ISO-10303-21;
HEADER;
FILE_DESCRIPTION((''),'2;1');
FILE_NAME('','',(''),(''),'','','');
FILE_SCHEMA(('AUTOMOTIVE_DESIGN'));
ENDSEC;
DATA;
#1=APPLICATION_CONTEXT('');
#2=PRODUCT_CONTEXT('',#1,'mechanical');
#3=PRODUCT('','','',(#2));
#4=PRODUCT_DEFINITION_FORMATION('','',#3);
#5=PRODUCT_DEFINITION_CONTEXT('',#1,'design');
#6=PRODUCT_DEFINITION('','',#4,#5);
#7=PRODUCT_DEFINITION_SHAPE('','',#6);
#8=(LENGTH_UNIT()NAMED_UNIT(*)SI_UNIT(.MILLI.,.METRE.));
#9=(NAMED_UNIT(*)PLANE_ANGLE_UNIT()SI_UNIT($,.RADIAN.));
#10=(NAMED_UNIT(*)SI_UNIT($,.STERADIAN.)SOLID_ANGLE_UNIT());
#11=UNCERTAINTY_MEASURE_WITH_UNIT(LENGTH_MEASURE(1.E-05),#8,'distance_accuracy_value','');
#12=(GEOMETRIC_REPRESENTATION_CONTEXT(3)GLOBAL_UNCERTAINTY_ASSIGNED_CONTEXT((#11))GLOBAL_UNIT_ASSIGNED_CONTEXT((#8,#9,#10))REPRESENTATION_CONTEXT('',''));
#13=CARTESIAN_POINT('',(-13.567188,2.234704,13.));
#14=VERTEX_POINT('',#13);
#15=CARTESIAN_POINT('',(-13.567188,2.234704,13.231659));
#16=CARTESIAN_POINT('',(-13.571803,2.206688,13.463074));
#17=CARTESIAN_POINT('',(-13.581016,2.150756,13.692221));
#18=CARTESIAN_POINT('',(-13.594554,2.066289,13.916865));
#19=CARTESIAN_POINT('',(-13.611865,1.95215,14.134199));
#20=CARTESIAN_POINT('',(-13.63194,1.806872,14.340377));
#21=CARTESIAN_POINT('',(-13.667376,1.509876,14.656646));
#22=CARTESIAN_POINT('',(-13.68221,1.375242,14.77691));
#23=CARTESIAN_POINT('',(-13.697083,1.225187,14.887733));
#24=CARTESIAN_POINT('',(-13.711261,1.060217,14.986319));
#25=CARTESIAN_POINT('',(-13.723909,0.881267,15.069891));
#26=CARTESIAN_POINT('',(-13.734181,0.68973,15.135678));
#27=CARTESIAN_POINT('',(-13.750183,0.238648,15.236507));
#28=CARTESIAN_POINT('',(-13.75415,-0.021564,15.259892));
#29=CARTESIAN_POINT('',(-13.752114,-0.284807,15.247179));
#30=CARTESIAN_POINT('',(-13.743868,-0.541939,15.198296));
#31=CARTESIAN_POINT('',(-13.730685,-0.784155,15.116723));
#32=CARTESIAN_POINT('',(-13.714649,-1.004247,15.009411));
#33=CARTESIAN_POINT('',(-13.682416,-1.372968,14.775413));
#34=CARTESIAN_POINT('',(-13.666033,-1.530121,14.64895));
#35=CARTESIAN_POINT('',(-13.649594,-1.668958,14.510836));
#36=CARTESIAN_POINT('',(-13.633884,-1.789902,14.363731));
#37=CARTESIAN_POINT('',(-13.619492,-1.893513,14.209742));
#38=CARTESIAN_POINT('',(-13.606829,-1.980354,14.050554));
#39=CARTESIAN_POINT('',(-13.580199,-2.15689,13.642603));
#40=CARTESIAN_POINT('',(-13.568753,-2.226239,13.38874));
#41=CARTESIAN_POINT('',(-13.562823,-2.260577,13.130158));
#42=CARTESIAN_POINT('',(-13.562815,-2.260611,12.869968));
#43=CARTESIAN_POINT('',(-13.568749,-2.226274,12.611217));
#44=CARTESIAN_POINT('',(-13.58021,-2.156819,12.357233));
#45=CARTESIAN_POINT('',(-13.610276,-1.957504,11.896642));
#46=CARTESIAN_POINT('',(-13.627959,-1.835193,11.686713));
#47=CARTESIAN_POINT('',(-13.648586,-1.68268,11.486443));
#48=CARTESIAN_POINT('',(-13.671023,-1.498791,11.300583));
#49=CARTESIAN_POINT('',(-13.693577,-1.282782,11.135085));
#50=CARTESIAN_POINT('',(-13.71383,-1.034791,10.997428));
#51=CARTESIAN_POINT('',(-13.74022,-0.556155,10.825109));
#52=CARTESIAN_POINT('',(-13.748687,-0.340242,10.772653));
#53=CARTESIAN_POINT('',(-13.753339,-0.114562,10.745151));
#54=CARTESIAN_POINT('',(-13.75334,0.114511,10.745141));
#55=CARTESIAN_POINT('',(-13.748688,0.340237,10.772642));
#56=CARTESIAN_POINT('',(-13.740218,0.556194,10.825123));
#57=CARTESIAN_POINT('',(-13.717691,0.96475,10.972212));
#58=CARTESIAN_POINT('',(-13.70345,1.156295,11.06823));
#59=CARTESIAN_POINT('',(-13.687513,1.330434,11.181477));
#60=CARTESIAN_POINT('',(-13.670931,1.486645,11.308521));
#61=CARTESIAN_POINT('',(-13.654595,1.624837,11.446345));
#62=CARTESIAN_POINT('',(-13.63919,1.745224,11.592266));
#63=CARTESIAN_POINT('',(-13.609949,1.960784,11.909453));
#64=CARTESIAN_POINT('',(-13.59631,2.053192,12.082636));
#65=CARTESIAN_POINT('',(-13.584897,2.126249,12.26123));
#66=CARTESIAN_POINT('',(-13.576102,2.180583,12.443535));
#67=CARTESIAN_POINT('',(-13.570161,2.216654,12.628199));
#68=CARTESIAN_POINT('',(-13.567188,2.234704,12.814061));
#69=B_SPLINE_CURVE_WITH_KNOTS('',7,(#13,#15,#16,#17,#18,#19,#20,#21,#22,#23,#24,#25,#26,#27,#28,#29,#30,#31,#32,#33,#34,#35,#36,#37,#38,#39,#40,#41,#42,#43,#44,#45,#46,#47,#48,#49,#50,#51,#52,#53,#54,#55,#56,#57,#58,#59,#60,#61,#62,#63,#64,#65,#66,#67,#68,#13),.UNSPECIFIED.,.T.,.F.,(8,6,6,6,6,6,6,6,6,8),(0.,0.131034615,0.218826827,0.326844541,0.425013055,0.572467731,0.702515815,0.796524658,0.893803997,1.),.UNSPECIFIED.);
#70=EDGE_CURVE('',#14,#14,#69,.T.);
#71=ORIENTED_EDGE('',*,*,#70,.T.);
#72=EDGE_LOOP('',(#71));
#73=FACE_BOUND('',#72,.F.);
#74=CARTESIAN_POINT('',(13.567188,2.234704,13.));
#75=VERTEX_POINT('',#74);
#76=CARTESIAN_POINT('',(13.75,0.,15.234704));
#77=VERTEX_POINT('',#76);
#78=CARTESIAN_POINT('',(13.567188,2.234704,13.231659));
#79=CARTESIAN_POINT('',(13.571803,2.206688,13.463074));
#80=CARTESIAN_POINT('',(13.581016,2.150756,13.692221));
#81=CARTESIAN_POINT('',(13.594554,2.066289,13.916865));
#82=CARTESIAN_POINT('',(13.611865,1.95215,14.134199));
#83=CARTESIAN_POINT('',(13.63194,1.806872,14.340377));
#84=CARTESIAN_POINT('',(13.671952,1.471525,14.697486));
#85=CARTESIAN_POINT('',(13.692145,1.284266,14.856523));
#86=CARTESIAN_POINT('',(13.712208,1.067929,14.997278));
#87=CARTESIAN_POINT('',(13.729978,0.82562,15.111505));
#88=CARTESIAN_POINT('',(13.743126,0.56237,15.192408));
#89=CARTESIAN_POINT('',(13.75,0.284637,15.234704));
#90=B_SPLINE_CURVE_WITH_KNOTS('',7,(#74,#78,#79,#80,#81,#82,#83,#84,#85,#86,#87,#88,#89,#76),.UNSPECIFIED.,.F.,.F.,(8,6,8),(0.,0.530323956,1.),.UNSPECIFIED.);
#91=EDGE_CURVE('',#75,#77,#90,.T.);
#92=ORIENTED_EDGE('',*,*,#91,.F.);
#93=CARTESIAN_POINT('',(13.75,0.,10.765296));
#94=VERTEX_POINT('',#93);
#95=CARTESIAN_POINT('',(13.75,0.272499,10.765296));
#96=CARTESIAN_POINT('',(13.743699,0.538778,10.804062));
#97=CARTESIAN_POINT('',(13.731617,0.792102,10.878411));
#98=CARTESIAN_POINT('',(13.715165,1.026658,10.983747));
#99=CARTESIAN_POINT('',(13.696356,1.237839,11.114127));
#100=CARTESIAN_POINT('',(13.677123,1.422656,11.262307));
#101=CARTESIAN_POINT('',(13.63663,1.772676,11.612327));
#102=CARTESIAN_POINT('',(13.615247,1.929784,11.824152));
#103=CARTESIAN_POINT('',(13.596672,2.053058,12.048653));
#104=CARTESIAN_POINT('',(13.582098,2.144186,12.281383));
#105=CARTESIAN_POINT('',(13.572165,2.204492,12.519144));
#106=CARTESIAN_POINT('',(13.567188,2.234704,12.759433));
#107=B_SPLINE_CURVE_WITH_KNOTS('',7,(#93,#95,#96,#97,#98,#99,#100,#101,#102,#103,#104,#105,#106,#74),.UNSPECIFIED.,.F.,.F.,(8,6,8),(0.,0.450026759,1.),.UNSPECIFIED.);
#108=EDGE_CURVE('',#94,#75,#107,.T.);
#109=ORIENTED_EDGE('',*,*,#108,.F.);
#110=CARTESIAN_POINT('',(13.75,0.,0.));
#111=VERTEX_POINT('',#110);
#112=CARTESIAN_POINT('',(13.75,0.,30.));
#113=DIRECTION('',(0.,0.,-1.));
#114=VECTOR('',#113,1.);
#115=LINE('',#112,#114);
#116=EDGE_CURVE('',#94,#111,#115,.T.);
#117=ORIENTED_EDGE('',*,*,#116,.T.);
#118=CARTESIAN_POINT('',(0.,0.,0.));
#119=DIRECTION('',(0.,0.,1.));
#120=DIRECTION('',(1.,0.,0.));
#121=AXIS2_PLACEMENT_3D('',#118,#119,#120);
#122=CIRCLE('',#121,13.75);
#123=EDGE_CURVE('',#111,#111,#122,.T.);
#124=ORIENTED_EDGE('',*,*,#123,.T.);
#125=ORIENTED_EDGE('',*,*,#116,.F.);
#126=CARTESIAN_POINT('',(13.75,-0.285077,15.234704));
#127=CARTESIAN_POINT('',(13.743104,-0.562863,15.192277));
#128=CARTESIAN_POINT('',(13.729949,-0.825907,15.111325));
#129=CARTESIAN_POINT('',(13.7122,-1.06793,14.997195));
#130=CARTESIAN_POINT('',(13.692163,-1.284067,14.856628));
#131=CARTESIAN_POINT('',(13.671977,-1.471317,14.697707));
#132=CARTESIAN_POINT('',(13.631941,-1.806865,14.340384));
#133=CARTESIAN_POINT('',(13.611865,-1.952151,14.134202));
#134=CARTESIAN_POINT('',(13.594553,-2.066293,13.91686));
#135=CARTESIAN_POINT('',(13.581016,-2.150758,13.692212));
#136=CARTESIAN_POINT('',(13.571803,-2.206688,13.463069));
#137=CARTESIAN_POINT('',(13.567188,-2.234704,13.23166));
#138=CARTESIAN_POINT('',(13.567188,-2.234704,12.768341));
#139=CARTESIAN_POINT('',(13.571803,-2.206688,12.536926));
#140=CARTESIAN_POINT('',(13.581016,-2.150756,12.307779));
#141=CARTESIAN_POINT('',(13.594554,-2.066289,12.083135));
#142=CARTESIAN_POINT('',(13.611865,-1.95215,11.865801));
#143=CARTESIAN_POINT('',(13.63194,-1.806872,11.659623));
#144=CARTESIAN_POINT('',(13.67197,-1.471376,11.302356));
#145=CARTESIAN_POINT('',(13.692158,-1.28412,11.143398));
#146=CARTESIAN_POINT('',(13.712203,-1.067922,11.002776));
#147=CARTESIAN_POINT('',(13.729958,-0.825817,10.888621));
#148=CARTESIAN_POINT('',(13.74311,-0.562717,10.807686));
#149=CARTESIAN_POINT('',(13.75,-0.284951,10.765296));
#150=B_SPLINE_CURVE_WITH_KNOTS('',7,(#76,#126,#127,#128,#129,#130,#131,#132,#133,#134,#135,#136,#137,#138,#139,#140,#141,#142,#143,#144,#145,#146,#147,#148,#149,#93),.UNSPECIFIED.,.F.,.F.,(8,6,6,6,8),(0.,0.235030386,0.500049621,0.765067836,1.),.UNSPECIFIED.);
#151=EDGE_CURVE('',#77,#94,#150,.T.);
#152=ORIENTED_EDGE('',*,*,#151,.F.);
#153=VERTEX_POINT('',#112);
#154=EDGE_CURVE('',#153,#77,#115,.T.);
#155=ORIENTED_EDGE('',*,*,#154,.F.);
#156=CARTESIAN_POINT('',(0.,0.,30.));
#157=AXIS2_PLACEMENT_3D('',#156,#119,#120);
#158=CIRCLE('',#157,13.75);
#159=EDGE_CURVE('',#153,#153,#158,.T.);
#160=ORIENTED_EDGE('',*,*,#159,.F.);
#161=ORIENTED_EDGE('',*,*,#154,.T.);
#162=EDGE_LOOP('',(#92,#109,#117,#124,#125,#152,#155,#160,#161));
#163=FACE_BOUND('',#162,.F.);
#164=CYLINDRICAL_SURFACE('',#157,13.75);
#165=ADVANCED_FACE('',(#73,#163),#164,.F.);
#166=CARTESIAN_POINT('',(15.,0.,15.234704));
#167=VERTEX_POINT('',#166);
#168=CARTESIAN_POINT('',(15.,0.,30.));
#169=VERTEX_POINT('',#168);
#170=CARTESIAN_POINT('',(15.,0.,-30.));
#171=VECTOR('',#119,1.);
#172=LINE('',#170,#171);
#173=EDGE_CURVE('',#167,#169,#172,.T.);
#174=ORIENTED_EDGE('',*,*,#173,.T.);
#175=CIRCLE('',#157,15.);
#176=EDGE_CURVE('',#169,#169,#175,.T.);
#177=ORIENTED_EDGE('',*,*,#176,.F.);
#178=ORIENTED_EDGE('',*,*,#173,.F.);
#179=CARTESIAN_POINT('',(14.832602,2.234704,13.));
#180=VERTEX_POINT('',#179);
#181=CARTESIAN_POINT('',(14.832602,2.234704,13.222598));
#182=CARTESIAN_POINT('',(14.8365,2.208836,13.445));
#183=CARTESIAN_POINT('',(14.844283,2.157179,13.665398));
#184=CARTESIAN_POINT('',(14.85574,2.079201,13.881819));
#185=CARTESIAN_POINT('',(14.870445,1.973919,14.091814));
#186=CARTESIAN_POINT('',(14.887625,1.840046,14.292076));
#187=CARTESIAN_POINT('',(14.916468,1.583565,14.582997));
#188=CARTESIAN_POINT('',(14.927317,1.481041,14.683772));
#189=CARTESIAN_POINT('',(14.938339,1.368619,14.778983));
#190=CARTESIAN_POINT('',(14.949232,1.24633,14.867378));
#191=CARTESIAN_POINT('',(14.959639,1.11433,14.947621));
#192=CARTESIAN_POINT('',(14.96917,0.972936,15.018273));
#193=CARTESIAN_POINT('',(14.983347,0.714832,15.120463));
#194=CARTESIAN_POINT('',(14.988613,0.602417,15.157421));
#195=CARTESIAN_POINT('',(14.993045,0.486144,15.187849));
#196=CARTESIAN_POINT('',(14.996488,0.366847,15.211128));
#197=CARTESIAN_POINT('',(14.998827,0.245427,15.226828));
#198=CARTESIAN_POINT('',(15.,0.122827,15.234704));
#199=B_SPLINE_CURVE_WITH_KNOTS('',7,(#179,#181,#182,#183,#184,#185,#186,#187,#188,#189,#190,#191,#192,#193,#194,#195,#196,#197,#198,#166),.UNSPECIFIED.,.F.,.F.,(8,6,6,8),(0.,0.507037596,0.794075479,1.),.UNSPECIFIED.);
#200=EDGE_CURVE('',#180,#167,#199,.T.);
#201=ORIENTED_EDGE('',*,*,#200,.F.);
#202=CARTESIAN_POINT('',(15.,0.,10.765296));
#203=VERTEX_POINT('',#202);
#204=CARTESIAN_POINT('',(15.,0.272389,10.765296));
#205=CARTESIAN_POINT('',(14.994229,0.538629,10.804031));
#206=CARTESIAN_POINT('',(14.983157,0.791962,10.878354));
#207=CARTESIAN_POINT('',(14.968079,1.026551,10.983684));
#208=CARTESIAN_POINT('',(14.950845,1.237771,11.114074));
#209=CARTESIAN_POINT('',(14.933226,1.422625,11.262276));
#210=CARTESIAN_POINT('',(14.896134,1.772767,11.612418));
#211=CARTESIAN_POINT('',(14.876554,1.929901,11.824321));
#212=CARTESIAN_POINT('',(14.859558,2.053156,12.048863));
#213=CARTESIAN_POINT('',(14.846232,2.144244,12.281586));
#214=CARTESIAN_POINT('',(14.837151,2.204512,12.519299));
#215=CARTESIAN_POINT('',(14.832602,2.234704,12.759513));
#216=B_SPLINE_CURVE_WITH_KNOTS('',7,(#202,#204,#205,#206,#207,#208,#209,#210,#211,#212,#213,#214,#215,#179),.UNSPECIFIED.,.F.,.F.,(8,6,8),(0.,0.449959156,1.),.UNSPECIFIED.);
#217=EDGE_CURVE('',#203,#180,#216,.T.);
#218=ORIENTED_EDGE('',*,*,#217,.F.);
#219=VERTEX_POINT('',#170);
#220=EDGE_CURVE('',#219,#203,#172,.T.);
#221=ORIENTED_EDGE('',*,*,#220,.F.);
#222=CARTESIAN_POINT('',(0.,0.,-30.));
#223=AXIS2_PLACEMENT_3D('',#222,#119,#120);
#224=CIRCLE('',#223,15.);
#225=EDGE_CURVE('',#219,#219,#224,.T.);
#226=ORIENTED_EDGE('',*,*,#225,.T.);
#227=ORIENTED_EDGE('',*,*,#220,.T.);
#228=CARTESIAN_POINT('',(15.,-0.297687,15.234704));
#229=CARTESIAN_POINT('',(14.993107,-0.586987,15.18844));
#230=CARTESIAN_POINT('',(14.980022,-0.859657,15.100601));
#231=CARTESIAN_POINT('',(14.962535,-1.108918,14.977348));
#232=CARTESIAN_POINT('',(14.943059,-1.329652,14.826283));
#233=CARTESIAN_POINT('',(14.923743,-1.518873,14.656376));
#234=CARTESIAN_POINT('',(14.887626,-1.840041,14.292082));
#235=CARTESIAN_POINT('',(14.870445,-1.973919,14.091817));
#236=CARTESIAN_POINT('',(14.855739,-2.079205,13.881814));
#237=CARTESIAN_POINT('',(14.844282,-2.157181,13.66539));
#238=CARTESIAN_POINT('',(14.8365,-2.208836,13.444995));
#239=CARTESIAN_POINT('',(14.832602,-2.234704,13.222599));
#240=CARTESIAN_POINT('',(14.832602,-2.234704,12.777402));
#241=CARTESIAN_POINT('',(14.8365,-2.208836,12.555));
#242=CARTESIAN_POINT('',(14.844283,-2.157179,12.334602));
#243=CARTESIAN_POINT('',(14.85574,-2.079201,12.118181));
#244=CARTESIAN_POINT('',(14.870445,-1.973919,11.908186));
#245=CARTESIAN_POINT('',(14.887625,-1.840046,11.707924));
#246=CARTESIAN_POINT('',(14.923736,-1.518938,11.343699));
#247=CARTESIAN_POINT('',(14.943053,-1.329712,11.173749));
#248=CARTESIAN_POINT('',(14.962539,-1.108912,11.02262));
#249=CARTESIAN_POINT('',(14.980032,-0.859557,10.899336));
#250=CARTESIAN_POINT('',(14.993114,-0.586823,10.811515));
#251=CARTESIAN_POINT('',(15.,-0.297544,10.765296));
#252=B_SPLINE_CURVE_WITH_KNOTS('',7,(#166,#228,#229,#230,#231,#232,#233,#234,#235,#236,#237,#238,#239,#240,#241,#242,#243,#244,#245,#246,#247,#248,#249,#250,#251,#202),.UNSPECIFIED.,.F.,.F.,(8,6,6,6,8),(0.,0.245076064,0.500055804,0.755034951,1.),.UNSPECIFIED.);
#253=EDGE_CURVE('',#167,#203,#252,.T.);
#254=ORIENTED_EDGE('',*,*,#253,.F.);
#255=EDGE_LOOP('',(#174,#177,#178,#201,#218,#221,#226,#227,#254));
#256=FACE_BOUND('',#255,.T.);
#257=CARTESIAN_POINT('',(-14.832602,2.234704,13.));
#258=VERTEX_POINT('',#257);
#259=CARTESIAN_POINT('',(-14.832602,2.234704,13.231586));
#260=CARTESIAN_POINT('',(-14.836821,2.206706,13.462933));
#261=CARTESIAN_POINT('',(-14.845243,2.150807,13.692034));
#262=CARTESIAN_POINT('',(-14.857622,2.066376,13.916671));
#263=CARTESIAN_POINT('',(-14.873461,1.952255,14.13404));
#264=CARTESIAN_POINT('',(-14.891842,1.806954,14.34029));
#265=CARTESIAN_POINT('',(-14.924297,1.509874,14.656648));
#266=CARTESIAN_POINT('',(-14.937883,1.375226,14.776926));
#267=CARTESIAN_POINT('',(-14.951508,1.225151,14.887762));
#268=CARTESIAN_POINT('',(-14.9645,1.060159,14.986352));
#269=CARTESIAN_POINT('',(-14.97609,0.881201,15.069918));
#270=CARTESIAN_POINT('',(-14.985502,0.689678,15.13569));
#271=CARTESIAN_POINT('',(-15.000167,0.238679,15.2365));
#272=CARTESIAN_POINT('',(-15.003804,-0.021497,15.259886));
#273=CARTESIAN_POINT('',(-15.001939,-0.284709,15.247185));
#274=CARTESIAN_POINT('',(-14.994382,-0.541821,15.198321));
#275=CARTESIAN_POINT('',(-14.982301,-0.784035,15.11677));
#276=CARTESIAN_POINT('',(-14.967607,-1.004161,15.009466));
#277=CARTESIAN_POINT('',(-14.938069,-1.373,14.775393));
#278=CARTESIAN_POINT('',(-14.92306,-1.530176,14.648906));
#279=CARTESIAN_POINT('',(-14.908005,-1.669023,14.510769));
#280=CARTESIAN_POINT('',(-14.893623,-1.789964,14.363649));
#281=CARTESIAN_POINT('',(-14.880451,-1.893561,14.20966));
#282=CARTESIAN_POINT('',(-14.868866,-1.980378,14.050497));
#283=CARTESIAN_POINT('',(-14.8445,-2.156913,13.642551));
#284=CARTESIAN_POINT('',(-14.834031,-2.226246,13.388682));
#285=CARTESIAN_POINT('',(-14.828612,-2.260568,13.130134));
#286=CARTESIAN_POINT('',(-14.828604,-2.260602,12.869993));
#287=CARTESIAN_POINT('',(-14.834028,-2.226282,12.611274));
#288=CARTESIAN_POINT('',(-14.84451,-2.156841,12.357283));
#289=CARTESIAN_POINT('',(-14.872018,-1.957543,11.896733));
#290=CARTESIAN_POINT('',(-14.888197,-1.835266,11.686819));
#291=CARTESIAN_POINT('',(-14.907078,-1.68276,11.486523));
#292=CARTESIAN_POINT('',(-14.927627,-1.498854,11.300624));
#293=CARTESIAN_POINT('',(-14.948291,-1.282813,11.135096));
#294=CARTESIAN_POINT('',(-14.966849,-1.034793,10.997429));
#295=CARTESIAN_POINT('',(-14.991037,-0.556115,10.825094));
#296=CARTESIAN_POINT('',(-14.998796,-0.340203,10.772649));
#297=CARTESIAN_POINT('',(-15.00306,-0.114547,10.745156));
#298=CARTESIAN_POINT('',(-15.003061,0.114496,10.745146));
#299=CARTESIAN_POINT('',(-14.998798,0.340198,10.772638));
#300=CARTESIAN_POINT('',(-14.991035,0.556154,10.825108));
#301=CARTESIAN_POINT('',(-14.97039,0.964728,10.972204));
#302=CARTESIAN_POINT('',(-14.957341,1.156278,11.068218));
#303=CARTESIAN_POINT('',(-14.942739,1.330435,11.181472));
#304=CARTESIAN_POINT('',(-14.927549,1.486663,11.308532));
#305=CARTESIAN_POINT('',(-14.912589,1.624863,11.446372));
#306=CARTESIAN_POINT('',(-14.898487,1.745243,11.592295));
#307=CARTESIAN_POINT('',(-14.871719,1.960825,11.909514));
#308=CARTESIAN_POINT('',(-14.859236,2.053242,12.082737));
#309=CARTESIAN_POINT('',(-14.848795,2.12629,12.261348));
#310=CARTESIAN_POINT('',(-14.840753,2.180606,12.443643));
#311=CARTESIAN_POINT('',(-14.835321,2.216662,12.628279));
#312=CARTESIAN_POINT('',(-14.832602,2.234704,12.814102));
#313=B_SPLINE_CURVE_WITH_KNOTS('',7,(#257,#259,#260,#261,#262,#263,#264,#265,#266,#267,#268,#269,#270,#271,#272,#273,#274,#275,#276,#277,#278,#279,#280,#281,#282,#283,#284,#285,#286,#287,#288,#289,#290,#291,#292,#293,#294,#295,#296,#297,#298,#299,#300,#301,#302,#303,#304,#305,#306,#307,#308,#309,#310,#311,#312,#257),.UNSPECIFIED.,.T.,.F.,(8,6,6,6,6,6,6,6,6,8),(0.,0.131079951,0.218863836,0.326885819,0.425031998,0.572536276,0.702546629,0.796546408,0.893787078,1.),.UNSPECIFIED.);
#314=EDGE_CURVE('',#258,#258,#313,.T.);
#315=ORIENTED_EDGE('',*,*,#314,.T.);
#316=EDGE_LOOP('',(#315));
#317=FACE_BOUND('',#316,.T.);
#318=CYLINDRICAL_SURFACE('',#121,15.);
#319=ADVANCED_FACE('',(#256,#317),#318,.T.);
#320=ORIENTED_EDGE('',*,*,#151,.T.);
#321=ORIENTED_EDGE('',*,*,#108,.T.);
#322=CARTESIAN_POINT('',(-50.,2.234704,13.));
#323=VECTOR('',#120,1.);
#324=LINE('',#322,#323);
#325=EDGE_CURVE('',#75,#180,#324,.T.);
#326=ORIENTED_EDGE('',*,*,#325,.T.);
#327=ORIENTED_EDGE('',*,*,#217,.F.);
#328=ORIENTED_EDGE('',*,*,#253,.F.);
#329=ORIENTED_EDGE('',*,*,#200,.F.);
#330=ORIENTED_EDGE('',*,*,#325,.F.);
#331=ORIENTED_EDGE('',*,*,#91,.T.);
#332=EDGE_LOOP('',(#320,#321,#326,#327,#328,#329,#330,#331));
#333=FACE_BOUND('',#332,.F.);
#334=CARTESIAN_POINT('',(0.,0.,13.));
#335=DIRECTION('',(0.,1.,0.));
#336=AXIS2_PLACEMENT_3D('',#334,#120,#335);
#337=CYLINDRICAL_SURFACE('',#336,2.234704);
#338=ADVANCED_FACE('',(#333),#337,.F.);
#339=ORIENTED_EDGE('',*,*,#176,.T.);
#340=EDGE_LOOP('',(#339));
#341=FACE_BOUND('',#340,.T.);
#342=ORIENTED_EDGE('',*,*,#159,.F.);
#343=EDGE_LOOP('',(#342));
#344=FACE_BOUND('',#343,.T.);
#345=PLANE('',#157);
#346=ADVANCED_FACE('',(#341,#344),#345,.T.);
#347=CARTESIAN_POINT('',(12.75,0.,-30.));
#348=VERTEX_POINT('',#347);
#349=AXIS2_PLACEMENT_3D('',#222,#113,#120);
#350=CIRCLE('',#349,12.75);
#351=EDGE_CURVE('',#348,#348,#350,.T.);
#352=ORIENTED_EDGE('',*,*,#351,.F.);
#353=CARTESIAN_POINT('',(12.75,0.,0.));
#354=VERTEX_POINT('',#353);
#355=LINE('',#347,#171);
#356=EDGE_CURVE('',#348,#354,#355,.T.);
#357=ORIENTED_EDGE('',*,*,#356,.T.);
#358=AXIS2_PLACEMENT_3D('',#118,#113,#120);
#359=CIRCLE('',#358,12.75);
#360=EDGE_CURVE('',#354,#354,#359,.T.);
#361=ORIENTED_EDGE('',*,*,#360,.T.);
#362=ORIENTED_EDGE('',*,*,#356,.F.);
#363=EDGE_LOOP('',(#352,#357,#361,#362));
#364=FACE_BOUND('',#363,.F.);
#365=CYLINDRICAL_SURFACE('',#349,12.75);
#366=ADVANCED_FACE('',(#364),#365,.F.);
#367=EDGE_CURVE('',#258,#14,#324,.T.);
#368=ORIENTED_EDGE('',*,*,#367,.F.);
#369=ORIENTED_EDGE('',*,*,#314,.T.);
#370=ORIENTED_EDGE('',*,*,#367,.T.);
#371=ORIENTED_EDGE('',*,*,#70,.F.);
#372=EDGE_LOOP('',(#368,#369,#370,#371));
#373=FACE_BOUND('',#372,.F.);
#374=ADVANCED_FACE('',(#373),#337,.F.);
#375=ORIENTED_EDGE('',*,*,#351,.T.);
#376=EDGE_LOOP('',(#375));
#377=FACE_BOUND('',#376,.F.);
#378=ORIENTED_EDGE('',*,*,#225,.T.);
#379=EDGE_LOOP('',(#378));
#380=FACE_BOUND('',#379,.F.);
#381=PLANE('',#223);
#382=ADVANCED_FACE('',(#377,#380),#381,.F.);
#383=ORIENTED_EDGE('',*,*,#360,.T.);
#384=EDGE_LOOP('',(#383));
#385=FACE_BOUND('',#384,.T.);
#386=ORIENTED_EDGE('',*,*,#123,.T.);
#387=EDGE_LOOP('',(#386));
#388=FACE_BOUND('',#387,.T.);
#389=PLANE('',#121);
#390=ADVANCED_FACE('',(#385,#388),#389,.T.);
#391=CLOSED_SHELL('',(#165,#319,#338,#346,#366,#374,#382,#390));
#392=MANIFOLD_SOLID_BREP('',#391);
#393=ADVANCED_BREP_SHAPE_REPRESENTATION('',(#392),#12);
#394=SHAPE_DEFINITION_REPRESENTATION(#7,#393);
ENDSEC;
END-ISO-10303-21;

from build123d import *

# Parameters (mm, degrees)
F0_R     = 15
F0_R_2   = 13.5
F1_DEPTH = 30
F0_R_3   = 12.5
F2_DEPTH = 30
F3_R     = 2.2347042808
F4_DEPTH = 50
F5_R     = 13.75
F6_DEPTH = 30
F7_R     = 12.75
F8_DEPTH = 30


with BuildPart() as f1:
    # F0 (on Top) → F1 (new body)
    with BuildSketch(Plane.XY):
        Circle(F0_R)
        Circle(F0_R_2, mode=Mode.SUBTRACT)
    extrude(amount=F1_DEPTH)

    # F0 (on Top) → F2 (join)
    with BuildSketch(Plane.XY):
        Circle(F0_R)
        Circle(F0_R_2, mode=Mode.SUBTRACT)
        Circle(F0_R_2)
        Circle(F0_R_3, mode=Mode.SUBTRACT)
    extrude(amount=-F2_DEPTH)

    # F3 (on Right) → F4 (cut, symmetric)
    with BuildSketch(Plane.YZ):
        with Locations((0, 13)):
            Circle(F3_R)
    extrude(amount=F4_DEPTH, both=True, mode=Mode.SUBTRACT)

    # F5 (on face) → F6 (cut)
    with BuildSketch(Plane.XY.offset(30)):
        Circle(F5_R)
    extrude(amount=-F6_DEPTH, mode=Mode.SUBTRACT)

    # F7 (on face) → F8 (cut)
    with BuildSketch(Plane(origin=(0, 0, -30), x_dir=(1, 0, 0), z_dir=(0, 0, -1))):
        Circle(F7_R)
    extrude(amount=-F8_DEPTH, mode=Mode.SUBTRACT)


solid = f1.part
